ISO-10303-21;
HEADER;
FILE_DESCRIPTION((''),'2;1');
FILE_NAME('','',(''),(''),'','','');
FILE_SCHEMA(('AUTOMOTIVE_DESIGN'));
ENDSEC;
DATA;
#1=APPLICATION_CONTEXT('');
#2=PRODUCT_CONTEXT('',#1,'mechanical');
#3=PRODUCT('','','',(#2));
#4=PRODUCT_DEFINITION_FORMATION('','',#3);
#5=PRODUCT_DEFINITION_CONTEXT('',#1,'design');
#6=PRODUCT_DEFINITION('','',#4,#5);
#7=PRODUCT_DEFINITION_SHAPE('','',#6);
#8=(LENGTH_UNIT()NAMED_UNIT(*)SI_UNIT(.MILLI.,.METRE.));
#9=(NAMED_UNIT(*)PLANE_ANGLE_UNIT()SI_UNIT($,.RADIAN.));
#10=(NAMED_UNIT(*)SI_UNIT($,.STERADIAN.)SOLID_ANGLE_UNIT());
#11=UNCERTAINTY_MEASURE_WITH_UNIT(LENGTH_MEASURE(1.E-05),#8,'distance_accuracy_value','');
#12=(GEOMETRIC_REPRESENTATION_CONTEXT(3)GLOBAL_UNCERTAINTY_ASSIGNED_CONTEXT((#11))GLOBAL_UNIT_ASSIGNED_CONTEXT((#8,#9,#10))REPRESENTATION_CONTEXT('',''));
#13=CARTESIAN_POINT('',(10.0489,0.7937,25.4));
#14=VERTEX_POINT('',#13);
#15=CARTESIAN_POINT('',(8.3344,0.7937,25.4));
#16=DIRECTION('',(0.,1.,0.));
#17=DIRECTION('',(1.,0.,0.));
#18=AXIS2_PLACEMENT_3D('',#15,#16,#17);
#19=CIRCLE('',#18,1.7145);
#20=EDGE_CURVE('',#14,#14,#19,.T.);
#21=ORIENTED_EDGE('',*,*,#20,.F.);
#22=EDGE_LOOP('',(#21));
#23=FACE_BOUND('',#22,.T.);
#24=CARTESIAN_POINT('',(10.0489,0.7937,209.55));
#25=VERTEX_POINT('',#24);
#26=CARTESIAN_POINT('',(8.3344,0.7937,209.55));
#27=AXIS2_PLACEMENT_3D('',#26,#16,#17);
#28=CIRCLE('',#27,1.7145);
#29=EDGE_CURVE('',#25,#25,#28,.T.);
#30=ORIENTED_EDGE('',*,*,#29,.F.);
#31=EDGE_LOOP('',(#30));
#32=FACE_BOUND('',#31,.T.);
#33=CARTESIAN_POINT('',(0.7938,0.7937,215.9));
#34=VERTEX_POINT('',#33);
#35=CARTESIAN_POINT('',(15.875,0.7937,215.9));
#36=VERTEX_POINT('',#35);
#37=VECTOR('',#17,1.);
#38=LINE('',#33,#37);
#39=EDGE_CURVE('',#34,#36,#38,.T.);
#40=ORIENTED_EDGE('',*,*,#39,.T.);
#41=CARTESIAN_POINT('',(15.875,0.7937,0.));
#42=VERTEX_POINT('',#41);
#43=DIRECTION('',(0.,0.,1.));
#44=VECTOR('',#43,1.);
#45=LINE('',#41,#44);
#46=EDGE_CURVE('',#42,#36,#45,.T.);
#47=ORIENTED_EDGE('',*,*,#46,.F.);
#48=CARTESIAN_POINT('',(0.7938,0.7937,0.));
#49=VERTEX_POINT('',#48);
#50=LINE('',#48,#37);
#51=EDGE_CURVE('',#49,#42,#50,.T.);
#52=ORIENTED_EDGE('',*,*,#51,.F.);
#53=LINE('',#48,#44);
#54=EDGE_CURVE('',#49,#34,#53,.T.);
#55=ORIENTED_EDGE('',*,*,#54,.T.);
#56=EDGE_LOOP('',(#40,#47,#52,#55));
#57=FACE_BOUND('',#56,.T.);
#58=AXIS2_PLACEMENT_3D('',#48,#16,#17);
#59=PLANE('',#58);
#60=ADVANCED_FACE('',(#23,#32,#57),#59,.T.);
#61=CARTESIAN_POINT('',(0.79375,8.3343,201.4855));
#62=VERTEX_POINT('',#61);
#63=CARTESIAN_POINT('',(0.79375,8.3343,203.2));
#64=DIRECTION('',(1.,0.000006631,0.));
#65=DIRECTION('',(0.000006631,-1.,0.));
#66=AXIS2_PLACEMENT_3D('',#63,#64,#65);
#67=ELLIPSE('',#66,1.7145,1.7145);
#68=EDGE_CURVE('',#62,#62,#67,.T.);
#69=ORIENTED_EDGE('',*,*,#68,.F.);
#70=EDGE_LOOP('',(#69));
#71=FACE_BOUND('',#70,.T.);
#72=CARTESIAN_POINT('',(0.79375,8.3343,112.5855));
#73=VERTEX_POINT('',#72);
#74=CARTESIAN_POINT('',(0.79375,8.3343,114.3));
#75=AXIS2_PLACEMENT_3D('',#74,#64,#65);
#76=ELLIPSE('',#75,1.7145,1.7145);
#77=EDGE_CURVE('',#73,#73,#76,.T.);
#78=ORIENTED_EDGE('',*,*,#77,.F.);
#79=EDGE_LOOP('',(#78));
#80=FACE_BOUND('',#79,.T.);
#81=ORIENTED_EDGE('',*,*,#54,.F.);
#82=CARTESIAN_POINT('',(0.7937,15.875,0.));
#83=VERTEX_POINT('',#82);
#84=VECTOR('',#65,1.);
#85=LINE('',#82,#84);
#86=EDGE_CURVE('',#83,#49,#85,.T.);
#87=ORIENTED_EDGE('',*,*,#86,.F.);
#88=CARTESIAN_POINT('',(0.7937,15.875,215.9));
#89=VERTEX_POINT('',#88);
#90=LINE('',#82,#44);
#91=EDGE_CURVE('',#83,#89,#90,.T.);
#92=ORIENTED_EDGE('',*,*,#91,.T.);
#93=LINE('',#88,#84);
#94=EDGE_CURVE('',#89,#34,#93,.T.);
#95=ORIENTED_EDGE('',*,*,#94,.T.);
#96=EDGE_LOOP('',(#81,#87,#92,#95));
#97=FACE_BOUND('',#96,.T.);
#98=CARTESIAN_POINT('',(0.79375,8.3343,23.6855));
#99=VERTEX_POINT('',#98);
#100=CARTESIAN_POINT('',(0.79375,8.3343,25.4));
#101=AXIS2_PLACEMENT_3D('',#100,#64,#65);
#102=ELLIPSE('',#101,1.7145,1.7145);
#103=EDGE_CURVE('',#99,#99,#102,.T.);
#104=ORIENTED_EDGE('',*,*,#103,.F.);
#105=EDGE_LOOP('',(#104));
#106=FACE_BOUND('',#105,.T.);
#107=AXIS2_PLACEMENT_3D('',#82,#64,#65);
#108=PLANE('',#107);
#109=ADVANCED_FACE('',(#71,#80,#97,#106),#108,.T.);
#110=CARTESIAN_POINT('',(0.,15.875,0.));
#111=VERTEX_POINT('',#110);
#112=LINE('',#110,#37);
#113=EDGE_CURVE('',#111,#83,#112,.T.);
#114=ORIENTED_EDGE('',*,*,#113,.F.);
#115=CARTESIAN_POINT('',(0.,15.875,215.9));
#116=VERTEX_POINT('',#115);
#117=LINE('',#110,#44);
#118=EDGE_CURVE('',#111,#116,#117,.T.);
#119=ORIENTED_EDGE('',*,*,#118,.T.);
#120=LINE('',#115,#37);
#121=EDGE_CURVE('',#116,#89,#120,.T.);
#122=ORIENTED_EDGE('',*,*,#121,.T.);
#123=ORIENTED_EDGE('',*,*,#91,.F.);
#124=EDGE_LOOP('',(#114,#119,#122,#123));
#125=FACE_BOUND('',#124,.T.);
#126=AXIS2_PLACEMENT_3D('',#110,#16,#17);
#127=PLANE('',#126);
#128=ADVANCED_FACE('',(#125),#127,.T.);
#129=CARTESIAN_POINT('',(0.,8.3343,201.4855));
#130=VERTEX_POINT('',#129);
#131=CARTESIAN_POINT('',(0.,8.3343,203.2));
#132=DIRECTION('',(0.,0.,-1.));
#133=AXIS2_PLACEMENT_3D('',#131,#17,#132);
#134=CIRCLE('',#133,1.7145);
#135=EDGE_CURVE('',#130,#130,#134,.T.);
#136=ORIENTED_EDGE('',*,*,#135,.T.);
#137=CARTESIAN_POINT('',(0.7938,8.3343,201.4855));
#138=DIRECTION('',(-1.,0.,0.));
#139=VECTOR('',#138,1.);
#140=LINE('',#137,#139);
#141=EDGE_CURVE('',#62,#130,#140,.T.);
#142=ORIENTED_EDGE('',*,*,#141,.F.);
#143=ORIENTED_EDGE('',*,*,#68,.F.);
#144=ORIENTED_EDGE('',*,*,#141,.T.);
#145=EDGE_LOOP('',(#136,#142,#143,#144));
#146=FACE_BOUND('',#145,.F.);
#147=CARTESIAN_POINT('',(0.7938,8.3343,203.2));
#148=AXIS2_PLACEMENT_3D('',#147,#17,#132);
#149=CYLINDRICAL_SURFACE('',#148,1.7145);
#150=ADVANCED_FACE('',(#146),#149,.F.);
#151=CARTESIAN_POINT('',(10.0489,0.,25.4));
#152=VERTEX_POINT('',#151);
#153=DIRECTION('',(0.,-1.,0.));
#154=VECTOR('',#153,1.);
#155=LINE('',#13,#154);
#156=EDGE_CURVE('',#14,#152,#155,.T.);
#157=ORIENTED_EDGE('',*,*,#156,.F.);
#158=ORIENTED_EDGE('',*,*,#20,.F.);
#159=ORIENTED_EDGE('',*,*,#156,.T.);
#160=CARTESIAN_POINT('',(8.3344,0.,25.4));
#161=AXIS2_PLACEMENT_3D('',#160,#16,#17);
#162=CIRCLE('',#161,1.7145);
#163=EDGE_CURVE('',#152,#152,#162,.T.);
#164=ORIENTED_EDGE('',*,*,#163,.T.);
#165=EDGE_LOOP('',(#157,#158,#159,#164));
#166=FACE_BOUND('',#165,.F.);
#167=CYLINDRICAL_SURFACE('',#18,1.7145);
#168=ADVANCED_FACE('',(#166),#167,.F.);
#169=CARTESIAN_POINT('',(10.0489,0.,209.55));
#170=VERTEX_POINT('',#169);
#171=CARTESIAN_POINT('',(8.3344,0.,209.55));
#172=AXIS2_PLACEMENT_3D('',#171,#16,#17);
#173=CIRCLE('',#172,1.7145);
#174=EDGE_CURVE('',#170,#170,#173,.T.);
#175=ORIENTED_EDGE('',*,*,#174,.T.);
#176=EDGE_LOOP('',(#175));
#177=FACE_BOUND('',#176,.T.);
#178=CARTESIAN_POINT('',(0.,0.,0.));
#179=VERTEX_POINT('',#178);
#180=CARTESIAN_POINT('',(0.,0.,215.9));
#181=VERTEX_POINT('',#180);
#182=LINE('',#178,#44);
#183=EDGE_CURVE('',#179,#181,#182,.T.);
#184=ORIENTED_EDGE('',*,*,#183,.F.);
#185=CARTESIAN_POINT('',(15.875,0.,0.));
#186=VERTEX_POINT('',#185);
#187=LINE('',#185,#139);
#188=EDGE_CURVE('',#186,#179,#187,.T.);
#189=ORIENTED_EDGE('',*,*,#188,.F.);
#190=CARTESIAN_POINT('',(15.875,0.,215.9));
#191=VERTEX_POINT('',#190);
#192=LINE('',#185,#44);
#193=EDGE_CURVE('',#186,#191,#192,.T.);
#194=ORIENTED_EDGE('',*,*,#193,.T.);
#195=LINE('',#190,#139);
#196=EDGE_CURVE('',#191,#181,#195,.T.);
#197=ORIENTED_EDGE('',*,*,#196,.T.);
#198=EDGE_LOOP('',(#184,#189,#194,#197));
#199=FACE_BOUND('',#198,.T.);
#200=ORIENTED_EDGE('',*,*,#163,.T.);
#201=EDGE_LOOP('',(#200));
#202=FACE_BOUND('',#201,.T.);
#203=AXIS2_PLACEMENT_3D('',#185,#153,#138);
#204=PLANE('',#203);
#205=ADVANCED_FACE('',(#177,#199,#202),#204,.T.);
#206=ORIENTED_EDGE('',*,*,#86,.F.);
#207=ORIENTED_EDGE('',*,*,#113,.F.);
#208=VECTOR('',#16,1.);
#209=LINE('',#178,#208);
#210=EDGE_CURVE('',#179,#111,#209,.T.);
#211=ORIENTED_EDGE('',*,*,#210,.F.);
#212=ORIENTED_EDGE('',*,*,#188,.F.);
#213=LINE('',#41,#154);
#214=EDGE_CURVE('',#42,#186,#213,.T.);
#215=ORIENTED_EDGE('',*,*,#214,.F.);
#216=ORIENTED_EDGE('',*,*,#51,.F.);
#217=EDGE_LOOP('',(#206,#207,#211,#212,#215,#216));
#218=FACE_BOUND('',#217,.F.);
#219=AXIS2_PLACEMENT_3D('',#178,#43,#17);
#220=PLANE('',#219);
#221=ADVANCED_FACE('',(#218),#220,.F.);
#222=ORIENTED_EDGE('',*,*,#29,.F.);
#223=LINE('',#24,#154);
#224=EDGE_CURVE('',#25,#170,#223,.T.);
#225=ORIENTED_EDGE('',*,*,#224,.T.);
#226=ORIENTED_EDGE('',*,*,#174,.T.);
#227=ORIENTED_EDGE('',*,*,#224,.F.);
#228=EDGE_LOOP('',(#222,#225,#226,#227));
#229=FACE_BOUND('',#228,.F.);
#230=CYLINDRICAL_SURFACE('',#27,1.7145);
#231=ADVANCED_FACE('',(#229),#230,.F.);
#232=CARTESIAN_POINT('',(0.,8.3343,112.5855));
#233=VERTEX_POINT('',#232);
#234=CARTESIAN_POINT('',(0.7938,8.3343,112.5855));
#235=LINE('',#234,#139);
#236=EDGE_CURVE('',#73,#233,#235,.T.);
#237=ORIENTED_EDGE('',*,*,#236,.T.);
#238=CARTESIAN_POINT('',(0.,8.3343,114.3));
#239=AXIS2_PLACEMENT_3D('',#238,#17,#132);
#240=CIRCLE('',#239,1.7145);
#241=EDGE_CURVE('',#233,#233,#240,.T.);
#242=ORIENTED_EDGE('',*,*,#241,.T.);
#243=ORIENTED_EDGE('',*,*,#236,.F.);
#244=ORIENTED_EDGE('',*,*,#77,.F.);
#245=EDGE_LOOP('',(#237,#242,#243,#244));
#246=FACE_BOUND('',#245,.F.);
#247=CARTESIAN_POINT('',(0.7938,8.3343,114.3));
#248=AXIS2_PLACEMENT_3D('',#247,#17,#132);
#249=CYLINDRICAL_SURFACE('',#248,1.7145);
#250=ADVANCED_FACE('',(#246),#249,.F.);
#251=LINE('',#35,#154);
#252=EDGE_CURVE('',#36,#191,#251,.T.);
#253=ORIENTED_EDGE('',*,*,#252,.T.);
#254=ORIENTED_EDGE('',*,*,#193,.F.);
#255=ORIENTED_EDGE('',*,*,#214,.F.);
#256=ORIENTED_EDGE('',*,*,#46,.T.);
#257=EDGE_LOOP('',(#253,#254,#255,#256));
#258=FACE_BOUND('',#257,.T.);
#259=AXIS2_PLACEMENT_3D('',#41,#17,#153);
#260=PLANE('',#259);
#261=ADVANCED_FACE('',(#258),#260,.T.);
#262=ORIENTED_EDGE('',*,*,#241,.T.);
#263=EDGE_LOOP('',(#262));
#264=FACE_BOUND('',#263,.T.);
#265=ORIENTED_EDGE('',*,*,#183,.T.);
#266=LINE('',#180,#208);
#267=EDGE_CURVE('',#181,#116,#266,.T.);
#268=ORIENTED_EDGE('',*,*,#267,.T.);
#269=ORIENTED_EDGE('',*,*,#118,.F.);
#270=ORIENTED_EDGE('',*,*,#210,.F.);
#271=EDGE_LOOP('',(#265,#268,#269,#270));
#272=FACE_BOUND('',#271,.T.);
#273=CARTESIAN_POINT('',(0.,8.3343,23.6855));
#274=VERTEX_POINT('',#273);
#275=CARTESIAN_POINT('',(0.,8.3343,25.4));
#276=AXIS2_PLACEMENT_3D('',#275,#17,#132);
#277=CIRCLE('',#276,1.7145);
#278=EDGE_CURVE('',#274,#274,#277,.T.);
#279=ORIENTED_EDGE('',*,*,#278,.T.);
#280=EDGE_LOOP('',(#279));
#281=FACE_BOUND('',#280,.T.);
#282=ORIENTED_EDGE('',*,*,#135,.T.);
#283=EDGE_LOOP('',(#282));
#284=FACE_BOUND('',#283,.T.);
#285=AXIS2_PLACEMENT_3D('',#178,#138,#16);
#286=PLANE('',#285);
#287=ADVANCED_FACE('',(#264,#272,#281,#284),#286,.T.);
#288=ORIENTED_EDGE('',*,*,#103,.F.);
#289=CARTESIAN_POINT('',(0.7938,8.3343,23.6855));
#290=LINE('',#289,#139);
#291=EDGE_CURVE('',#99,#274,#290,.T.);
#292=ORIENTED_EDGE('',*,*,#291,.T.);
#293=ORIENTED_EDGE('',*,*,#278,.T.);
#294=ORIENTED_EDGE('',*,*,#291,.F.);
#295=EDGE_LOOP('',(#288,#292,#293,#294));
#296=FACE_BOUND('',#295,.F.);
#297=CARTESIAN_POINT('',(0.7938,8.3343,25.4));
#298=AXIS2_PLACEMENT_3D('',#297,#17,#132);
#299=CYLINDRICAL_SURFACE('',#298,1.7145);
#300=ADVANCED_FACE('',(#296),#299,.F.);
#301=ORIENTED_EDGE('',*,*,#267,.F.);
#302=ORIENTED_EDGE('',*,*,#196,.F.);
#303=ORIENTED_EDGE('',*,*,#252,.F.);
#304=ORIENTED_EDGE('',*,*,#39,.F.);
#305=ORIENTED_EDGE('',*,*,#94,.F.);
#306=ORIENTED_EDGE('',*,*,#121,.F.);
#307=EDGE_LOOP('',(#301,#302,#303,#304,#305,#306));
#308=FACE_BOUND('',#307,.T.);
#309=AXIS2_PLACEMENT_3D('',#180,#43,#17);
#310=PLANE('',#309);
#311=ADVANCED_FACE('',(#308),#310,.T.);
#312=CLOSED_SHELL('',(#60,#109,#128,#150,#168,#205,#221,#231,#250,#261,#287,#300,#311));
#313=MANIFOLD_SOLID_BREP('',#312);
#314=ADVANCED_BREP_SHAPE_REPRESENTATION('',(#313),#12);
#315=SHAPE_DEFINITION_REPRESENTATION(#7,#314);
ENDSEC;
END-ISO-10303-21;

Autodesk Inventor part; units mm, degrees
ref_plane "YZ Plane" through (0, 0, 0) normal (1, 0, 0) x (0, 1, 0)
ref_plane "XZ Plane" through (0, 0, 0) normal (0, 1, 0) x (-1, 0, 0)
ref_plane "XY Plane" through (0, 0, 0) normal (0, 0, 1) x (1, 0, 0)
sketch "Sketch1" plane through (0, 0, 0) normal (0, 0, 1) x (1, 0, 0)
  line L0 (0, 0) -> (0, 15.875)
  line L1 (0, 15.875) -> (0.7937, 15.875)
  line L2 (0.7937, 15.875) -> (0.7938, 0.7937)
  line L3 (0.7938, 0.7937) -> (15.875, 0.7937)
  line L4 (15.875, 0.7937) -> (15.875, 0)
  line L5 (15.875, 0) -> (0, 0)
  dimension "d0" = 15.875
  dimension "d1" = 0.7937
extrude "Extrusion1" add sketch "Sketch1" along normal blind 215.9
sketch "Sketch2" plane through (0.7938, 0.7937, 0) normal (0, 1, 0) x (1, 0, 0)
  line L0 (0, 0) -> (15.0812, 0) projected
  line L1 (15.0812, -215.9) -> (0, -215.9) projected
  line L2 (7.5406, 0) -> (7.5406, -215.9) construction
  circle A0 centre (7.5406, -25.4) radius 1.7145
  circle A1 centre (7.5406, -209.55) radius 1.7145
  point P0 (-0.7938, 0)
  dimension "d4" = 25.4
  dimension "d5" = 3.429
  dimension "d6" = 215.9
  dimension "d28" = 6.35
sketch "Sketch3" plane through (0.7938, 0.7937, 0) normal (1, 0, 0) x (0, 0, -1)
  line L0 (0, 15.0812) -> (0, 0) projected
  line L1 (-215.9, 0) -> (-215.9, 15.0812) projected
  line L2 (-215.9, 7.5406) -> (0, 7.5406) construction
  circle A0 centre (-25.4, 7.5406) radius 1.7145
  circle A1 centre (-114.3, 7.5406) radius 1.7145
  circle A2 centre (-203.2, 7.5406) radius 1.7145
  point P0 (0, -0.7937)
  dimension "d14" = 3.429
  dimension "d15" = 25.4
  dimension "d16" = 215.9
  dimension "d19" = 88.9
extrude "Extrusion2" cut sketch "Sketch2" against normal through all
extrude "Extrusion3" cut sketch "Sketch3" against normal through all
properties part number "Hopper Bracing Right Leg P13" material "Aluminum 6061"
